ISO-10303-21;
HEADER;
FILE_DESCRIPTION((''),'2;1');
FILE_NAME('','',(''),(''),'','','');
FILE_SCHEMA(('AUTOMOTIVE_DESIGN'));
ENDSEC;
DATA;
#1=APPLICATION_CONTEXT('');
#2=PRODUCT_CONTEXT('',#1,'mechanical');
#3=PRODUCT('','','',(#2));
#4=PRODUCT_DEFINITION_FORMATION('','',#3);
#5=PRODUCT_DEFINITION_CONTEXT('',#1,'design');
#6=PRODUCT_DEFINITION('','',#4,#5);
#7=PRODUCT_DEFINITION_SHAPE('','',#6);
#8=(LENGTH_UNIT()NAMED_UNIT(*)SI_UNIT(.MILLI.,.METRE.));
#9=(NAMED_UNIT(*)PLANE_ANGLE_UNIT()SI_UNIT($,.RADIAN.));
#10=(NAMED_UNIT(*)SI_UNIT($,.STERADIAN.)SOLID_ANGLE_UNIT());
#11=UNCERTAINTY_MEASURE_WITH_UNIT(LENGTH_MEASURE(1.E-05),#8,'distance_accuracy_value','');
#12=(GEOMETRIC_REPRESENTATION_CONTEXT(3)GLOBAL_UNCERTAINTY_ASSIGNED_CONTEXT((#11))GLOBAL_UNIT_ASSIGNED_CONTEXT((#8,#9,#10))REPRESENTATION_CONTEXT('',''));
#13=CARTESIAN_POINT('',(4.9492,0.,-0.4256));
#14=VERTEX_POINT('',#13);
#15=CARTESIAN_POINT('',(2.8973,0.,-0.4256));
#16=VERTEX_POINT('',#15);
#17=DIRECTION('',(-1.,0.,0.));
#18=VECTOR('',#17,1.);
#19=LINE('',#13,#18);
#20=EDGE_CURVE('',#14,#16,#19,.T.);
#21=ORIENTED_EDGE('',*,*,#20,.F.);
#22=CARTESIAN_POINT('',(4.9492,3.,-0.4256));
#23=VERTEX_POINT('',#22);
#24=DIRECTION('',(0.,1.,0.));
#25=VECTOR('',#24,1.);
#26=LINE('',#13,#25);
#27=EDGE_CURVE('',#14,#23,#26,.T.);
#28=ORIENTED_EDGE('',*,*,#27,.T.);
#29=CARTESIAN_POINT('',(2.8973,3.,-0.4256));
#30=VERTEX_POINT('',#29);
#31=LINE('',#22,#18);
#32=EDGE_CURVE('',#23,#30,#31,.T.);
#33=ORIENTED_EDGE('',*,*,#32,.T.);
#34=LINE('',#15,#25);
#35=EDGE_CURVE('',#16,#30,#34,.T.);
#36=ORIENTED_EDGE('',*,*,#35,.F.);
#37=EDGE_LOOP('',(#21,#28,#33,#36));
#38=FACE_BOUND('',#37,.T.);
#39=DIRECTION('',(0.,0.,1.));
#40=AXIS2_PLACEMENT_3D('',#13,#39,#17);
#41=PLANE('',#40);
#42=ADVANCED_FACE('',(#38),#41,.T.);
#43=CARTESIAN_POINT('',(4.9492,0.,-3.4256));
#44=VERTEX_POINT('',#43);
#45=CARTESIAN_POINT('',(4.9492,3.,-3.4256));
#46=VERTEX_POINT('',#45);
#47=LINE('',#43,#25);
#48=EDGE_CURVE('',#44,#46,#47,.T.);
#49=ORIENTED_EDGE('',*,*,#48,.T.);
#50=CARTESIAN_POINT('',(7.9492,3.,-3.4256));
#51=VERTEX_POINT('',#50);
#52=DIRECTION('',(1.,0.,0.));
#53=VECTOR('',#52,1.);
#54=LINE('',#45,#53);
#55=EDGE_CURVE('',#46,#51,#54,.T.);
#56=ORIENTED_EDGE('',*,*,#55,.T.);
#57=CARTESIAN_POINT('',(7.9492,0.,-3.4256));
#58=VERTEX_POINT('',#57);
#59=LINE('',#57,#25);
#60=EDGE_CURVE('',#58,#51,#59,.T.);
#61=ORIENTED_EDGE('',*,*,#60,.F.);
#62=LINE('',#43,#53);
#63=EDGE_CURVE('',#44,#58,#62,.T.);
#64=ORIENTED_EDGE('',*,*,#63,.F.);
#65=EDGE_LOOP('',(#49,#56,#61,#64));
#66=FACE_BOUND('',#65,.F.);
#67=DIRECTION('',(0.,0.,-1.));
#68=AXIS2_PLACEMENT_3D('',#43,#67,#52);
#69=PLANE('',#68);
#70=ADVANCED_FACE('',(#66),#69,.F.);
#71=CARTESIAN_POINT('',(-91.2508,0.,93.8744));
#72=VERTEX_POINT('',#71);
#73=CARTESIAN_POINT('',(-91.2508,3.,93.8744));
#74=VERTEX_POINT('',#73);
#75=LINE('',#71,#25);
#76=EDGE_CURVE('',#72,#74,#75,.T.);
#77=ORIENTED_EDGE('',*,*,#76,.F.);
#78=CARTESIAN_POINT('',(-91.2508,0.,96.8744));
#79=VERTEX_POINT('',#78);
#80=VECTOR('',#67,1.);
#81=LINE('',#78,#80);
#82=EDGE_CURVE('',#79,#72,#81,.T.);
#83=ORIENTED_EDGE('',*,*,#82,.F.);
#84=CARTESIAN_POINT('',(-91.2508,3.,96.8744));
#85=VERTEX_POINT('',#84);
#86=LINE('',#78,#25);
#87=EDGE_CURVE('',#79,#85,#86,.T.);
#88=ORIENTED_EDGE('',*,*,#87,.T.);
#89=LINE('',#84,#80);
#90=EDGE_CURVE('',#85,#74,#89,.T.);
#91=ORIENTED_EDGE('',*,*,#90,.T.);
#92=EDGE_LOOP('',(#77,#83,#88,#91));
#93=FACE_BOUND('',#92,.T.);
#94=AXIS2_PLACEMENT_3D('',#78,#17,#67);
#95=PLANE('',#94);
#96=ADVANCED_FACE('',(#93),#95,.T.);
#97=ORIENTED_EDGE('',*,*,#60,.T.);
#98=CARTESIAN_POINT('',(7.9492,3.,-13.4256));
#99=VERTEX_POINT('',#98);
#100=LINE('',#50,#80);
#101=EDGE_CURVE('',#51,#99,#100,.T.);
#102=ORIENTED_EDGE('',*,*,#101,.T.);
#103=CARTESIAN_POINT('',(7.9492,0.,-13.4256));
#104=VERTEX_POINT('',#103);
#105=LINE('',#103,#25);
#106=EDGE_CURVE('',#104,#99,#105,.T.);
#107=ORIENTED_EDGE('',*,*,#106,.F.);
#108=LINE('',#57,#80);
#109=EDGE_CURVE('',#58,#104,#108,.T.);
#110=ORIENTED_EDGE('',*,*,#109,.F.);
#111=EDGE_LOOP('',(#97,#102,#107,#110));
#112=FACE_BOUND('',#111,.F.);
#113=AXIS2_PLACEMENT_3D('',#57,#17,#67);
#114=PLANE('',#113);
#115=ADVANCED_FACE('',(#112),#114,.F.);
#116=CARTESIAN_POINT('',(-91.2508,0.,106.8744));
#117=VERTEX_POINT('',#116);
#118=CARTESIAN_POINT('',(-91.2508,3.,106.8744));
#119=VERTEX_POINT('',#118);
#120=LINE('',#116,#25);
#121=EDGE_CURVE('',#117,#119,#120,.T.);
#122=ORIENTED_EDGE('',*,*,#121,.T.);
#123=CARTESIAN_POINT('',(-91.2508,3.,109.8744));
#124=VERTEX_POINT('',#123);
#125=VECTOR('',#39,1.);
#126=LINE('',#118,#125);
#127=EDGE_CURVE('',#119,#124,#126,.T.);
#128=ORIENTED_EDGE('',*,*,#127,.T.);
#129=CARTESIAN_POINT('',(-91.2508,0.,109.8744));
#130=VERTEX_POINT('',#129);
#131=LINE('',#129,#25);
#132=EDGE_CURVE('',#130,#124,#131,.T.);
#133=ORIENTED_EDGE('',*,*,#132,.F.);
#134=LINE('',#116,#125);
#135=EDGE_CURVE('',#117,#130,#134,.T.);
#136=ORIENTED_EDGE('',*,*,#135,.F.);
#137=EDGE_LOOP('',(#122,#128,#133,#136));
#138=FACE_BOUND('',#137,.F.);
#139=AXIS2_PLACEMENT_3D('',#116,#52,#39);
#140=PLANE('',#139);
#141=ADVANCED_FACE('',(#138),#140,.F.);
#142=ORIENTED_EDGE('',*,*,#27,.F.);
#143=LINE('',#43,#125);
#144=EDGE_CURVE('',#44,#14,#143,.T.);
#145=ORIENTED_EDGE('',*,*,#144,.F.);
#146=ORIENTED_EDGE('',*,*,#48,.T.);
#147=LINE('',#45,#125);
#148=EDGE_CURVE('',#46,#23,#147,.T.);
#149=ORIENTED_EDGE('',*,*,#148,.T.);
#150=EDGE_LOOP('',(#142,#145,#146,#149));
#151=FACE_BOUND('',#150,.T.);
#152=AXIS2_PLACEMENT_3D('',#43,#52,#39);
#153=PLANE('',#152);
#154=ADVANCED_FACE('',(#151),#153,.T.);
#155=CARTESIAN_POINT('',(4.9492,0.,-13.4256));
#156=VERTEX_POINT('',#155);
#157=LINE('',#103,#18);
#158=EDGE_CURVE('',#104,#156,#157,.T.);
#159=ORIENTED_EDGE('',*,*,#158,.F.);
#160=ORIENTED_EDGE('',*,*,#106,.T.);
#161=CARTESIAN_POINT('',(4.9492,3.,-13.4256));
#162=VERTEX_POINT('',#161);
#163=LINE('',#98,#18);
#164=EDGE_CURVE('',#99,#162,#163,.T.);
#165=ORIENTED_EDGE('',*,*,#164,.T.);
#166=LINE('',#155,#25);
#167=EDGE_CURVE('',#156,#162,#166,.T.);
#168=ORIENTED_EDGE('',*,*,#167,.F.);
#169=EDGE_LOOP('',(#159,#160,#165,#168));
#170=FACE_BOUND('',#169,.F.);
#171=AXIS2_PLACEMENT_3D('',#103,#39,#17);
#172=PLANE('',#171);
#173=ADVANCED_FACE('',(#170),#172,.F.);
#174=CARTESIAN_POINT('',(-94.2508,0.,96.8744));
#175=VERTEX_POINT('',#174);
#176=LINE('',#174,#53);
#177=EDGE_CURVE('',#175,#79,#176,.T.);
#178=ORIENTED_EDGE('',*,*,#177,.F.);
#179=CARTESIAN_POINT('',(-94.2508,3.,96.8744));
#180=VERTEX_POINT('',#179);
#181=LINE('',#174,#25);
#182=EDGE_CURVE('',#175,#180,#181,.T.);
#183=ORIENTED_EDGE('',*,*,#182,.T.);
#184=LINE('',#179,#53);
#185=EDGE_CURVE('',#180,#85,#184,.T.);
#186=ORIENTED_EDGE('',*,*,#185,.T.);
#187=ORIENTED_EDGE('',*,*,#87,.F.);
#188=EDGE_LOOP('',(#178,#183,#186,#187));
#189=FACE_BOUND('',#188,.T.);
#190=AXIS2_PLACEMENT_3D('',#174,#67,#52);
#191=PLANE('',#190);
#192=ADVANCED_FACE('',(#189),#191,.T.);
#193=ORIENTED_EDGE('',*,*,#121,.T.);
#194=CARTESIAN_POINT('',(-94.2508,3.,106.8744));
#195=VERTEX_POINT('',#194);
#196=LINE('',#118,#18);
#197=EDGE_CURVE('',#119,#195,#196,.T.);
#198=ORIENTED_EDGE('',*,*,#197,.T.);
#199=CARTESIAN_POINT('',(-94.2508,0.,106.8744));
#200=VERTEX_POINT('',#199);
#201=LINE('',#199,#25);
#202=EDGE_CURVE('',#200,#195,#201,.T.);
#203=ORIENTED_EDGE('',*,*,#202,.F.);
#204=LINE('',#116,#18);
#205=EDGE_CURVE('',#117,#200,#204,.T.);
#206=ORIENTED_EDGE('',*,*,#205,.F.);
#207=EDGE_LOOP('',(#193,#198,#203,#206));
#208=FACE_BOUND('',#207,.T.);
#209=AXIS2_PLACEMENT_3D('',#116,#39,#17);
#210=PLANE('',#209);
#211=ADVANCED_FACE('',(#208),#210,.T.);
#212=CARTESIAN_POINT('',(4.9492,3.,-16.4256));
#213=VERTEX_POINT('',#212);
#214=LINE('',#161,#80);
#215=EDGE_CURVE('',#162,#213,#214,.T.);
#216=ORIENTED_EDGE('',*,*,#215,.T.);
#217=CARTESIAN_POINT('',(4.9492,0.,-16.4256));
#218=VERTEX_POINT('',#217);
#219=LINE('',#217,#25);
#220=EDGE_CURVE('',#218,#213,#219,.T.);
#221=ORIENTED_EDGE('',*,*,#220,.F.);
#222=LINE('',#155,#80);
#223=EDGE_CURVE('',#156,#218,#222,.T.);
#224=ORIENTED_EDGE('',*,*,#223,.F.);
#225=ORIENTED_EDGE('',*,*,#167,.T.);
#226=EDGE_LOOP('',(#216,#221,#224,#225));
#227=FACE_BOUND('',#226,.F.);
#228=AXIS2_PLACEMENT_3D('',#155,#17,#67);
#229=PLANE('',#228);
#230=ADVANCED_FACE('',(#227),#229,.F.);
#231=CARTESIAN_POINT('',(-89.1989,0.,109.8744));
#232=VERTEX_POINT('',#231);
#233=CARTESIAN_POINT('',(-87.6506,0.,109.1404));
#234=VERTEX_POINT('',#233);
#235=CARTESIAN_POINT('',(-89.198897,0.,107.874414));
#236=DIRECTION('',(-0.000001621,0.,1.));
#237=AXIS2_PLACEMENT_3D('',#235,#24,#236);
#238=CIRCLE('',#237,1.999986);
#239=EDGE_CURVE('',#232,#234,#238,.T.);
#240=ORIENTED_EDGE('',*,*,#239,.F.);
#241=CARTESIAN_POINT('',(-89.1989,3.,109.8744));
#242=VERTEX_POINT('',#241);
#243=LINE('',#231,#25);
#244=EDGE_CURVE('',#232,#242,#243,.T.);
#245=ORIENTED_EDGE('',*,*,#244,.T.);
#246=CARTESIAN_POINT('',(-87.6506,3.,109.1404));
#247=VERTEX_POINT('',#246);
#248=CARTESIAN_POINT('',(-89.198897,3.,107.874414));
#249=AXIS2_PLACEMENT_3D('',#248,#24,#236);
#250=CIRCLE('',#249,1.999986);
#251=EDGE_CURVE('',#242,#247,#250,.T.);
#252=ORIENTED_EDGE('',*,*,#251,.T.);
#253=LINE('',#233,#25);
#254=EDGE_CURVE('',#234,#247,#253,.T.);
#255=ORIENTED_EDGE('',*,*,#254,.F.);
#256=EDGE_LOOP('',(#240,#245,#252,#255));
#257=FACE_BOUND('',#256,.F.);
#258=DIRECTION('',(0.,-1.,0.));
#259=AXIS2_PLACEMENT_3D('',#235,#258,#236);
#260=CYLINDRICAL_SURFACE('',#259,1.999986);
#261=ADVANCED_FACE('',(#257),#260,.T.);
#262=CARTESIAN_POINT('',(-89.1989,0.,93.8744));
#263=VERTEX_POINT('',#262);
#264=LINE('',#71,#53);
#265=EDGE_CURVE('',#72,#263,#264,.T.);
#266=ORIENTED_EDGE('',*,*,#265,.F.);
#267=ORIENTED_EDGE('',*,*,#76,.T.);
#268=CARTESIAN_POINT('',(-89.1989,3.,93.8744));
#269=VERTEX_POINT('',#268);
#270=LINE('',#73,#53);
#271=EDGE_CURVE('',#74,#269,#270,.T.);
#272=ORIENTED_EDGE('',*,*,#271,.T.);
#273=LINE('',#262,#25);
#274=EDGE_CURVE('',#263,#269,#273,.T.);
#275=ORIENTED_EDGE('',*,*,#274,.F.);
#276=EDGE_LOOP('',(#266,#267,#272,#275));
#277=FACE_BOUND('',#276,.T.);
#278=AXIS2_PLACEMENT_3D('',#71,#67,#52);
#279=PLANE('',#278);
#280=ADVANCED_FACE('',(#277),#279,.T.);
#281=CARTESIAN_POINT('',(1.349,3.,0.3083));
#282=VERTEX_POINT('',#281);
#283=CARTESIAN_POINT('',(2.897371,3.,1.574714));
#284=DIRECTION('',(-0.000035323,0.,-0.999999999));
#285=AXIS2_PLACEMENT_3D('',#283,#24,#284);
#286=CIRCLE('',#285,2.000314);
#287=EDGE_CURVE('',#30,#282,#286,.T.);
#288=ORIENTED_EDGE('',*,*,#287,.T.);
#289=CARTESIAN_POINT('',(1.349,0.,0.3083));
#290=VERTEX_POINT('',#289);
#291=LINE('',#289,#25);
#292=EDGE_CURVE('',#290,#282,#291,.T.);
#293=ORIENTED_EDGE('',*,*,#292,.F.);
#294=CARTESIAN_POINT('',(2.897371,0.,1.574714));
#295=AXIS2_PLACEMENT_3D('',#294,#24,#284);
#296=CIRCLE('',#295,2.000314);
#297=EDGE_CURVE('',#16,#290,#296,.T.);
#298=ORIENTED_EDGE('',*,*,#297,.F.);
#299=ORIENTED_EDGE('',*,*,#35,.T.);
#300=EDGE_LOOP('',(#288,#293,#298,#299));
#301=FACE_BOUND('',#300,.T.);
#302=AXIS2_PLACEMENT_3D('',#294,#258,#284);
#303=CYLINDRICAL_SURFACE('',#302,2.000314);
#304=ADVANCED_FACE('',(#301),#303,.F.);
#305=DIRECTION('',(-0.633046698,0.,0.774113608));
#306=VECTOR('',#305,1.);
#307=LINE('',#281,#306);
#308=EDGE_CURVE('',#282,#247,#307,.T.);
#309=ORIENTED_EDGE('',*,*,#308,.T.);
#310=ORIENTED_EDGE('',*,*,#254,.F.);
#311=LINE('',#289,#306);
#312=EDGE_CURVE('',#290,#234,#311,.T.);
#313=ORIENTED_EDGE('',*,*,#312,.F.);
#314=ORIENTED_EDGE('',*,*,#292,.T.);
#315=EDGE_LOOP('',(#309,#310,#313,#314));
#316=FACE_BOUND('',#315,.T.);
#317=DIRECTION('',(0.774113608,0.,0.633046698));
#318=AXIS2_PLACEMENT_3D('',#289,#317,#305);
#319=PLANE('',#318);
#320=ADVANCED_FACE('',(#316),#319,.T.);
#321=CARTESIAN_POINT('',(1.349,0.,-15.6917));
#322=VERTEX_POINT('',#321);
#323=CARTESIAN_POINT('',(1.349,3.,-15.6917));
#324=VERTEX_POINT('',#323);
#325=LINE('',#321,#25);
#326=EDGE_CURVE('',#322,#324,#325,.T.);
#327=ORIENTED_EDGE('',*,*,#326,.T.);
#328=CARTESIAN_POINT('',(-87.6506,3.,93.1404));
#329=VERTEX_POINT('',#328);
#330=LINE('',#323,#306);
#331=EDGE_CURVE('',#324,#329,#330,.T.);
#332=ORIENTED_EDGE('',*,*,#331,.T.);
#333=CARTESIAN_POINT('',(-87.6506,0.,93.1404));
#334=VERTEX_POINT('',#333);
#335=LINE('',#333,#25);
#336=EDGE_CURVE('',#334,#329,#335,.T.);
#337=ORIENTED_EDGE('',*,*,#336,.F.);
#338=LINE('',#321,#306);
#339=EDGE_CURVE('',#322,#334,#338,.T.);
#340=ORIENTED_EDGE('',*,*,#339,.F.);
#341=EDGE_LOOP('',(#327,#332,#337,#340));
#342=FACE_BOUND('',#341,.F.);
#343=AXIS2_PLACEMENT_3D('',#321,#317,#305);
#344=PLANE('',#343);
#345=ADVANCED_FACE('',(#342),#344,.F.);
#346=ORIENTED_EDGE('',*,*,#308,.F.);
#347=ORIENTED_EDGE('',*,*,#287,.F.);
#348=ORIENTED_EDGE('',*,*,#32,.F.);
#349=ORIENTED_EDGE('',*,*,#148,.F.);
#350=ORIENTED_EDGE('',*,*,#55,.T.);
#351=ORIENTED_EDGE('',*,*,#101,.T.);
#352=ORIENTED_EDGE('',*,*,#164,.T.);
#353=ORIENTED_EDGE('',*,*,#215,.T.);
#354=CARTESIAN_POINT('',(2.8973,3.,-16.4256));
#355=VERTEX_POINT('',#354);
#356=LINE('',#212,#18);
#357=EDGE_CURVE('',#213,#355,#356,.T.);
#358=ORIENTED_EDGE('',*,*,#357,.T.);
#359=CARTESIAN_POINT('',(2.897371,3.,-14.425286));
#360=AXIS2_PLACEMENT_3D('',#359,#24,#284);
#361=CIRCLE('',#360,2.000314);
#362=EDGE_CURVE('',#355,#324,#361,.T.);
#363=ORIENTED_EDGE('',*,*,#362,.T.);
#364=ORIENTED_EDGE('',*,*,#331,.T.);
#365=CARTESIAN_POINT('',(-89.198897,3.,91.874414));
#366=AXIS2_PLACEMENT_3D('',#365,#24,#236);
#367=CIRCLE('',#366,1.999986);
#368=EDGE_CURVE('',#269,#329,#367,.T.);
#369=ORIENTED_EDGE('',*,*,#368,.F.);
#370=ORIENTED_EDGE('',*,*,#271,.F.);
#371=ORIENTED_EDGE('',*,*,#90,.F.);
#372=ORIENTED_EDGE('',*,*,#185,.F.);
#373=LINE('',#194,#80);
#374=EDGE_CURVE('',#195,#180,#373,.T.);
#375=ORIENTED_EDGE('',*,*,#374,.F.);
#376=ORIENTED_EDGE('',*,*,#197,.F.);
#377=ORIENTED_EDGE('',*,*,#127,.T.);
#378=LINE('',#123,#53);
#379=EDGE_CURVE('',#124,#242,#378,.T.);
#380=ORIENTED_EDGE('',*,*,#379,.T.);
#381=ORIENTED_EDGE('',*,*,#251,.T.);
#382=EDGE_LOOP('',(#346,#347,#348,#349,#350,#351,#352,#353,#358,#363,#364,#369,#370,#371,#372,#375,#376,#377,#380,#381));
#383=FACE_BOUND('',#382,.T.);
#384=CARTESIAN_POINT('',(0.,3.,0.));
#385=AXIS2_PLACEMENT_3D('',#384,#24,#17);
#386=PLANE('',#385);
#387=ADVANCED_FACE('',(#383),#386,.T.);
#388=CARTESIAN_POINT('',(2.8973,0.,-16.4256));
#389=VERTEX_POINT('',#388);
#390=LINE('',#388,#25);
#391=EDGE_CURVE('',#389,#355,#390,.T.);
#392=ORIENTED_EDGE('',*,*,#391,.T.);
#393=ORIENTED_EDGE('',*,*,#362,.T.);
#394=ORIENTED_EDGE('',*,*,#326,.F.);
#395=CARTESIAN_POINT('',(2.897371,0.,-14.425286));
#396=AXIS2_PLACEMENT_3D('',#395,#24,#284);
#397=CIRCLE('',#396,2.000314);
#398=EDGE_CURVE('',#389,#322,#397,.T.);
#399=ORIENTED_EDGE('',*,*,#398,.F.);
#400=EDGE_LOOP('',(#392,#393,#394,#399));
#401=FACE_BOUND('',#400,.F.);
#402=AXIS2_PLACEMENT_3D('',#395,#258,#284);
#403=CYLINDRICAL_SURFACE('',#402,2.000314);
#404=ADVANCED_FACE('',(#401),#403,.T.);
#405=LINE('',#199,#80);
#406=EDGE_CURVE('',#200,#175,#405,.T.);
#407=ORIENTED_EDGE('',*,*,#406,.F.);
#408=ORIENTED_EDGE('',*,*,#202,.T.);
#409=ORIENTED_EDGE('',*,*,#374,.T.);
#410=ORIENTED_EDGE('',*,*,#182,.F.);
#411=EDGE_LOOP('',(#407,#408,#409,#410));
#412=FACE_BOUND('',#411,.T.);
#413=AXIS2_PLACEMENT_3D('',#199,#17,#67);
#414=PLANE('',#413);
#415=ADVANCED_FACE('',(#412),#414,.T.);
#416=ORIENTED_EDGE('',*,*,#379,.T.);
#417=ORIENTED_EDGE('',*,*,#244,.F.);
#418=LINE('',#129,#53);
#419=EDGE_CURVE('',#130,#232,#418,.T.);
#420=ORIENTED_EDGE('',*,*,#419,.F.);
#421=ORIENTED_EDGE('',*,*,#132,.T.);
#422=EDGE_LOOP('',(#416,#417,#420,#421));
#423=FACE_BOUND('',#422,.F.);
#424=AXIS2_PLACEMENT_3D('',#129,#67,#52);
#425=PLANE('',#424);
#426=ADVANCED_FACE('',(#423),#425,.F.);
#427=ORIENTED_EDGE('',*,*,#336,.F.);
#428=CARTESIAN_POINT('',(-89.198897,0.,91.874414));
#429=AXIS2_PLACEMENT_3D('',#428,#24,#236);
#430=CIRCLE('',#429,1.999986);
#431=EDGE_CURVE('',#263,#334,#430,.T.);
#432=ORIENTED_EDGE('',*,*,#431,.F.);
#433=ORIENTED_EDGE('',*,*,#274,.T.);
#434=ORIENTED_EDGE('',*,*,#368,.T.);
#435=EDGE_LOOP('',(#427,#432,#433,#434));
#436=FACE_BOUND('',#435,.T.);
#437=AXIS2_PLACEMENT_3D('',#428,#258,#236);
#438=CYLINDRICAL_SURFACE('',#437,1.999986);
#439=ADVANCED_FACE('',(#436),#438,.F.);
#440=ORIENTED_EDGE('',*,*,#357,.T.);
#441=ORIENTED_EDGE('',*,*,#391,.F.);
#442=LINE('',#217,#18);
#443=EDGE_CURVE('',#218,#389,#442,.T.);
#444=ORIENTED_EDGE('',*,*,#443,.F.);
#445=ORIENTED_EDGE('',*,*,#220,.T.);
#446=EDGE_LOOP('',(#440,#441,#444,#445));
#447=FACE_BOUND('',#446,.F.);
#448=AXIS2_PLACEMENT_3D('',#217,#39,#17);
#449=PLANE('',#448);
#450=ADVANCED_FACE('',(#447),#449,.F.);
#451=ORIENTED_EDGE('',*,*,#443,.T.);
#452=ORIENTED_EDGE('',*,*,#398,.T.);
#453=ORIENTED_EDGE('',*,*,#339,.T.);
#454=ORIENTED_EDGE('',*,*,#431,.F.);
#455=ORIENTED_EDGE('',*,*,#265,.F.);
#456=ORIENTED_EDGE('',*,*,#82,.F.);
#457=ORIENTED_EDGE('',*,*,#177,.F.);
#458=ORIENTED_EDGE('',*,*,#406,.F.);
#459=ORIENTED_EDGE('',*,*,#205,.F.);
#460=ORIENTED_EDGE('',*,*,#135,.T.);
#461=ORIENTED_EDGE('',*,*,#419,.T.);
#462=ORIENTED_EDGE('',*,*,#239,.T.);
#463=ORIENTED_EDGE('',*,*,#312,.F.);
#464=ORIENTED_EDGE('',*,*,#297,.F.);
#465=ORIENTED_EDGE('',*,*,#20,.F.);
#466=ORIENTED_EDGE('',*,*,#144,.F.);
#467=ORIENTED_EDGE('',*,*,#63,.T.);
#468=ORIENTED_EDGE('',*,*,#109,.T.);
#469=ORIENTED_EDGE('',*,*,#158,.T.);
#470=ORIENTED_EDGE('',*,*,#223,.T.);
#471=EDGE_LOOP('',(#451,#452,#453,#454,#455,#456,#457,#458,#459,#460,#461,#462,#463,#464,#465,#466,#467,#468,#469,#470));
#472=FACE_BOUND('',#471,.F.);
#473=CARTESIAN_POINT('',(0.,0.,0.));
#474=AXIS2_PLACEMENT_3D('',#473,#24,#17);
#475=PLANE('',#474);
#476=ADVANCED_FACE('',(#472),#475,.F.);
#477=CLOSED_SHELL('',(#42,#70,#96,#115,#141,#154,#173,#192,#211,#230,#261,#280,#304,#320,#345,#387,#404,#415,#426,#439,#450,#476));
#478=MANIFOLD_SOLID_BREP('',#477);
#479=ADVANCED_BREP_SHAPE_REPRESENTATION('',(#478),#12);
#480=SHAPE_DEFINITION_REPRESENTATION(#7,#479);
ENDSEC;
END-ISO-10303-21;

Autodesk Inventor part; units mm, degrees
ref_plane "YZ Plane" through (0, 0, 0) normal (1, 0, 0) x (0, 1, 0)
ref_plane "XZ Plane" through (0, 0, 0) normal (0, 1, 0) x (-1, 0, 0)
ref_plane "XY Plane" through (0, 0, 0) normal (0, 0, 1) x (1, 0, 0)
sketch "Sketch1" plane through (0, 0, 0) normal (0, 1, 0) x (-1, 0, 0)
  line L0 (-4.9492, -3.4256) -> (-7.9492, -3.4256)
  line L1 (-7.9492, -3.4256) -> (-7.9492, -13.4256)
  line L2 (-7.9492, -13.4256) -> (-4.9492, -13.4256)
  line L3 (-4.9492, -3.4256) -> (-4.9492, -0.4256)
  line L4 (-4.9492, -13.4256) -> (-4.9492, -16.4256)
  line L5 (-4.9492, -16.4256) -> (-2.8973, -16.4256)
  line L6 (-4.9492, -0.4256) -> (-2.8973, -0.4256)
  line L7 (91.2508, 106.8744) -> (94.2508, 106.8744)
  line L8 (94.2508, 106.8744) -> (94.2508, 96.8744)
  line L9 (94.2508, 96.8744) -> (91.2508, 96.8744)
  line L10 (91.2508, 106.8744) -> (91.2508, 109.8744)
  line L11 (91.2508, 96.8744) -> (91.2508, 93.8744)
  line L12 (91.2508, 93.8744) -> (89.1989, 93.8744)
  line L13 (91.2508, 109.8744) -> (89.1989, 109.8744)
  arc A0 (89.1989, 109.8744) -> (87.6506, 109.1404) centre (89.1989, 107.8744) ccw
  line L14 (-1.349, 0.3083) -> (87.6506, 109.1404)
  arc A1 (-2.8973, -0.4256) -> (-1.349, 0.3083) centre (-2.8973, 1.5744) ccw
  line L15 (-1.349, -15.6917) -> (87.6506, 93.1404)
  arc A2 (89.1989, 93.8744) -> (87.6506, 93.1404) centre (89.1989, 91.8744) ccw
  arc A3 (-2.8973, -16.4256) -> (-1.349, -15.6917) centre (-2.8973, -14.4256) ccw
  point P0 (0, 0)
extrude "Extrusion1" add sketch "Sketch1" along normal blind 3
properties part number "angularBrace" material "Polycarbonate, Clear"
